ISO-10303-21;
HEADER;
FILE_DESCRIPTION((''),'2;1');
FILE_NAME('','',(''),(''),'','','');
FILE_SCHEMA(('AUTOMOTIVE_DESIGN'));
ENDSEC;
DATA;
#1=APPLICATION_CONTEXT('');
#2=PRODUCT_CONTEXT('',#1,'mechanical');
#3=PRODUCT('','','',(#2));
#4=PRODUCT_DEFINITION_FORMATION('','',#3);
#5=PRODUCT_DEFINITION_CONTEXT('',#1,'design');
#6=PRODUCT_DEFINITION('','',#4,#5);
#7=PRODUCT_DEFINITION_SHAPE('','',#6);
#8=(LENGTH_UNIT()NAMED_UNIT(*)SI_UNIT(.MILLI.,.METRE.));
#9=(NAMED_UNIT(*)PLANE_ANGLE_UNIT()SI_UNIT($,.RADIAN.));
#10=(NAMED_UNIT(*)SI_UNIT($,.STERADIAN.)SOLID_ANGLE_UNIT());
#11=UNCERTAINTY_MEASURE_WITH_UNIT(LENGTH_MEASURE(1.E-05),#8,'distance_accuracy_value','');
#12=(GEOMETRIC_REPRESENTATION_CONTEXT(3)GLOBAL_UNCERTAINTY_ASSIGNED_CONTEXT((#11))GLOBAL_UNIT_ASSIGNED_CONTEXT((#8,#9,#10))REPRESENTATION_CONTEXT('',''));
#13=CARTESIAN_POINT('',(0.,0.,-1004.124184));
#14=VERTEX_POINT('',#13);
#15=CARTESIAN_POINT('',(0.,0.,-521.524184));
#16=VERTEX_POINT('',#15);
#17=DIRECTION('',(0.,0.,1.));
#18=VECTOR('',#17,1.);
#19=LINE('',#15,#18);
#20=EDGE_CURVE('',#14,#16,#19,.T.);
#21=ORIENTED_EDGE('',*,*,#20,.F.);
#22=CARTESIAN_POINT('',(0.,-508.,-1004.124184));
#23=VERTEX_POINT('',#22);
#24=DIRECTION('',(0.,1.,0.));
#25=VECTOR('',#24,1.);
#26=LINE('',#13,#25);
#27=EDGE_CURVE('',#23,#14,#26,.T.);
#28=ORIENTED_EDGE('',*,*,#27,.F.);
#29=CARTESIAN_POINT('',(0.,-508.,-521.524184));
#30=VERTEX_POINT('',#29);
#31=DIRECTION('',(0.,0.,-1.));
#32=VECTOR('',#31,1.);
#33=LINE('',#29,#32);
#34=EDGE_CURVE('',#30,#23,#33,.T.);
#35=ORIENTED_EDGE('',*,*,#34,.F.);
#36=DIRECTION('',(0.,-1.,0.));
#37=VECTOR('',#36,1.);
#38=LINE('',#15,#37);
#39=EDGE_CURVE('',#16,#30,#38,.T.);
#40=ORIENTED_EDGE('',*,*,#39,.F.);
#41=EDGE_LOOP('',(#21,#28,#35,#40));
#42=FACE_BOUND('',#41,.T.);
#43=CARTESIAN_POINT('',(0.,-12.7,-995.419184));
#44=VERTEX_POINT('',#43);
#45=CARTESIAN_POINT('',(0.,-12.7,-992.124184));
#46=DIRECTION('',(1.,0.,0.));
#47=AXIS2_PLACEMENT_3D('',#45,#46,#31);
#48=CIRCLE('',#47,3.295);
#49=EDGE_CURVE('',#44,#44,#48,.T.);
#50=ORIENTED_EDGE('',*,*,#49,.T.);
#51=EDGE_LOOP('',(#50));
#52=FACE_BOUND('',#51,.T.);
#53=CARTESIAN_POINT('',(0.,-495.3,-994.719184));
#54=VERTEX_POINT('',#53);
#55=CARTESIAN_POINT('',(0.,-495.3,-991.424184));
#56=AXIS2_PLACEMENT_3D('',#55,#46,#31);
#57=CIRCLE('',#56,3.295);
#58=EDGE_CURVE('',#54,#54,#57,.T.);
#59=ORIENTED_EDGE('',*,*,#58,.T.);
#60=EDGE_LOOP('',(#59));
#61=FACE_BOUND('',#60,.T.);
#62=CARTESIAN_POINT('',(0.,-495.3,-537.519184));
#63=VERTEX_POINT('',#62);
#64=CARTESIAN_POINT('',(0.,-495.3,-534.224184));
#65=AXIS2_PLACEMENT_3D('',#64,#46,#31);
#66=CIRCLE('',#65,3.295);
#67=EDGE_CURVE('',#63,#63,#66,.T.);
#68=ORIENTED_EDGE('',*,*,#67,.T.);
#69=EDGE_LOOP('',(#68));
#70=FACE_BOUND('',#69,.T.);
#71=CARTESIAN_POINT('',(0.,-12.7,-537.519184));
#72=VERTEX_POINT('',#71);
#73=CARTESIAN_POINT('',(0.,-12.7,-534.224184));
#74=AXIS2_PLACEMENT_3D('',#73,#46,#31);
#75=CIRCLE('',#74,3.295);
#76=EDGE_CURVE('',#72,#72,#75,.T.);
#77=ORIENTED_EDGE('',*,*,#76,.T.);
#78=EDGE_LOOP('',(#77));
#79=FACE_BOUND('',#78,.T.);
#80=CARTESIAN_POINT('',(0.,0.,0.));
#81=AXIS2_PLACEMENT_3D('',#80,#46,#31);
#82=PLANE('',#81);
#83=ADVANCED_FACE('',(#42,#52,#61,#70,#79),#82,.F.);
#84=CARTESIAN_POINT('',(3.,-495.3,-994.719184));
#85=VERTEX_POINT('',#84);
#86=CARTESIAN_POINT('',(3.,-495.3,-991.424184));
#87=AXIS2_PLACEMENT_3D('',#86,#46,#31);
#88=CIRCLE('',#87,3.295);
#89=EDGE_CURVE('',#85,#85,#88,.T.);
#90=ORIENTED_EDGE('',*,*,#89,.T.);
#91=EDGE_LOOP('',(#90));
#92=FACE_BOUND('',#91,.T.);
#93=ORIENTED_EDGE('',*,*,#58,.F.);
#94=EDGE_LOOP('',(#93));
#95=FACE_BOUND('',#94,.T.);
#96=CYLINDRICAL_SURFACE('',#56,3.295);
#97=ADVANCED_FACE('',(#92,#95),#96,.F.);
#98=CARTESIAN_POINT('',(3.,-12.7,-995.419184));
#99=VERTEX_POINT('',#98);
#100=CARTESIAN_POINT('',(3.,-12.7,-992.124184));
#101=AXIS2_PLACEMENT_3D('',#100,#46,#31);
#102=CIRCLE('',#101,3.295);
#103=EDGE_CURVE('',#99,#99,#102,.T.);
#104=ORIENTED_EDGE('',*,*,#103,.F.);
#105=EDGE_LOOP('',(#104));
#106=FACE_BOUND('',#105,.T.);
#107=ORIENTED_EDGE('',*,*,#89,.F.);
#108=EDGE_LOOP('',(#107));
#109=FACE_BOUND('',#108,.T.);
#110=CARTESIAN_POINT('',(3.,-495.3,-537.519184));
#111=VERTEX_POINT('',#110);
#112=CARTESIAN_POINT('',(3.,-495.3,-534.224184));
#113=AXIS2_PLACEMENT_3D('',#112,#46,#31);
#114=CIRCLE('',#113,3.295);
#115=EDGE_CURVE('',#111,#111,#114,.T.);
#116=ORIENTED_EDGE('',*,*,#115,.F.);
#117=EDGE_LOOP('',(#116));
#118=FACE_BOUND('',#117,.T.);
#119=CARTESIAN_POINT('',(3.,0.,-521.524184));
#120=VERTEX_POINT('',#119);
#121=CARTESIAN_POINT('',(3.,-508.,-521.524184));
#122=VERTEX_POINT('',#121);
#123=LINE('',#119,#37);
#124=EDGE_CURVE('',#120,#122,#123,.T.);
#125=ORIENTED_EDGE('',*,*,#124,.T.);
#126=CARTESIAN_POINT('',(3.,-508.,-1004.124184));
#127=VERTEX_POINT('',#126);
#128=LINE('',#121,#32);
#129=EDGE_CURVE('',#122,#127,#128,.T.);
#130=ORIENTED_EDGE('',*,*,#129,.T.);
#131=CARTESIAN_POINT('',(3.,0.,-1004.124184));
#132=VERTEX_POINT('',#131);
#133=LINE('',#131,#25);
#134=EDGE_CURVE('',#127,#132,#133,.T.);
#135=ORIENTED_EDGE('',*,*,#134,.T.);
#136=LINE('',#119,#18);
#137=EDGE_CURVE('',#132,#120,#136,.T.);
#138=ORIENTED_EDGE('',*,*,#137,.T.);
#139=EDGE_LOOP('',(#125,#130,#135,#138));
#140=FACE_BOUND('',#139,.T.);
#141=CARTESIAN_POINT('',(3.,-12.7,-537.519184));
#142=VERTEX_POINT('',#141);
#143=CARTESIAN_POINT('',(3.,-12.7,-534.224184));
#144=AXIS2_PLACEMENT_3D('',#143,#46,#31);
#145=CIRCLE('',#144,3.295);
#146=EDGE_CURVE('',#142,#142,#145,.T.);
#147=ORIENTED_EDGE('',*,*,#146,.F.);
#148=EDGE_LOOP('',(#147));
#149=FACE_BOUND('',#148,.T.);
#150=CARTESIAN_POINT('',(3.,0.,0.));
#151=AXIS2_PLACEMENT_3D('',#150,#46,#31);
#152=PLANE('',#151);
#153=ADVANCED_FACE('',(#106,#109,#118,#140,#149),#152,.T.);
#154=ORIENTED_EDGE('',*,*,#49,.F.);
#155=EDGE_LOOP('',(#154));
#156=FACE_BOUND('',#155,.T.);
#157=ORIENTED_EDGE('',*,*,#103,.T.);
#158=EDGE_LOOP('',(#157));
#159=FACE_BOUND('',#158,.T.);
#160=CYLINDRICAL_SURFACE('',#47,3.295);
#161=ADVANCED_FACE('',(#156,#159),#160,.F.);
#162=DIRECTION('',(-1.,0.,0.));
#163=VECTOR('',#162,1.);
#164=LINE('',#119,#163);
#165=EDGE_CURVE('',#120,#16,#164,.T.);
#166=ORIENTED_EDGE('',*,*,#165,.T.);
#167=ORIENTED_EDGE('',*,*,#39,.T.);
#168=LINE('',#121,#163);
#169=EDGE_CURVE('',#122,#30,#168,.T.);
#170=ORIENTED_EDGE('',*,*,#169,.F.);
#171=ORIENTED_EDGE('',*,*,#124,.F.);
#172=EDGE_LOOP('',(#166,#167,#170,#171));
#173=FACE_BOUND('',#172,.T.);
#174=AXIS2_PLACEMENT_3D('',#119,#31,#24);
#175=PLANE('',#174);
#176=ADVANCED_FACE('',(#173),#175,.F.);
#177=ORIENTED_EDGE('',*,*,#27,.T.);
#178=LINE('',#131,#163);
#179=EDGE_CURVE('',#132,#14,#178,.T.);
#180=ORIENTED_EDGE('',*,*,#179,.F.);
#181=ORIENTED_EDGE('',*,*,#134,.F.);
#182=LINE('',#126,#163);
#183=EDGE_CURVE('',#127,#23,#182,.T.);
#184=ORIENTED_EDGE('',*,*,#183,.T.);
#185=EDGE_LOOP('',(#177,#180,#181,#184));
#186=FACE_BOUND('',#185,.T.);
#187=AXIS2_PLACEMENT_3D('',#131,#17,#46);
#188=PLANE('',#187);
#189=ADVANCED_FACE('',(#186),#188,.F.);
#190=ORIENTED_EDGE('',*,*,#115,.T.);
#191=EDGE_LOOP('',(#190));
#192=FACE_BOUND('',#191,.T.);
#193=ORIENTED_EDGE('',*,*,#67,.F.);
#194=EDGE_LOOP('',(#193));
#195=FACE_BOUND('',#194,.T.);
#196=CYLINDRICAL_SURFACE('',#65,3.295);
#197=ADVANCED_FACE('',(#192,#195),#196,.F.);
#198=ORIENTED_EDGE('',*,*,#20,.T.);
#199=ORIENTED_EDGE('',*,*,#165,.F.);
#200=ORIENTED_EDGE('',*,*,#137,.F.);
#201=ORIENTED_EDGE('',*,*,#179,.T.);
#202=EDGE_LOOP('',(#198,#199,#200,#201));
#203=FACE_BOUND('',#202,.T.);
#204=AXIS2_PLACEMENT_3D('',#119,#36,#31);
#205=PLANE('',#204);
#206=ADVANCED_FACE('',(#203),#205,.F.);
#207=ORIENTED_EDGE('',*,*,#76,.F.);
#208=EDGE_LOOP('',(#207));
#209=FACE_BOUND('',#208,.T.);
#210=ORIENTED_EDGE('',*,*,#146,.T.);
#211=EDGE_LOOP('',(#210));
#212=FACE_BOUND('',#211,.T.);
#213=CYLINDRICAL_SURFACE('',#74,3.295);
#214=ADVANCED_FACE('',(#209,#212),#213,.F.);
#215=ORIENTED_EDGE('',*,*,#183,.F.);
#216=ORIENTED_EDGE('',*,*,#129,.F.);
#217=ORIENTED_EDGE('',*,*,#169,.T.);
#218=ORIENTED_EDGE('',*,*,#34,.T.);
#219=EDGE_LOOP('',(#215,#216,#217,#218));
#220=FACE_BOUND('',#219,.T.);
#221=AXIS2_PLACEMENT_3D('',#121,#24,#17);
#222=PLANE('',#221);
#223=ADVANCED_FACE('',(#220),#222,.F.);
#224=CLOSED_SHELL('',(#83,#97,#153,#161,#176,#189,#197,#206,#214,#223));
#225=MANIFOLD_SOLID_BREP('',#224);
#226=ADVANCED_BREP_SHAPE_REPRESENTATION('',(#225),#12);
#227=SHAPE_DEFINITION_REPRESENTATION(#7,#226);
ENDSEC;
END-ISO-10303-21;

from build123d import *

# Parameters (mm, degrees)
SKETCH1_W           = 482.6
SKETCH1_H           = 508
BOSS_EXTRUDE1_DEPTH = 3
SKETCH2_R           = 3.295
CUT_EXTRUDE1_DEPTH  = 3


with BuildPart() as part:
    # Sketch1 → Boss-Extrude1 (new body)
    with BuildSketch(Plane(origin=(0, 0, 0), x_dir=(0, 0, -1), z_dir=(1, 0, 0))):
        with Locations((762.824184205, -254)):
            Rectangle(SKETCH1_W, SKETCH1_H)
    extrude(amount=BOSS_EXTRUDE1_DEPTH)

    # Sketch2 → Cut-Extrude1 (cut)
    with BuildSketch(Plane(origin=(3, 0, 0), x_dir=(0, 0, -1), z_dir=(1, 0, 0))):
        with Locations((992.124184205, -12.7)):
            Circle(SKETCH2_R)
        with Locations((534.224184205, -12.7)):
            Circle(SKETCH2_R)
        with Locations((534.224184205, -495.3)):
            Circle(SKETCH2_R)
        with Locations((991.424184205, -495.3)):
            Circle(SKETCH2_R)
    extrude(amount=-CUT_EXTRUDE1_DEPTH, mode=Mode.SUBTRACT)


solid = part.part
